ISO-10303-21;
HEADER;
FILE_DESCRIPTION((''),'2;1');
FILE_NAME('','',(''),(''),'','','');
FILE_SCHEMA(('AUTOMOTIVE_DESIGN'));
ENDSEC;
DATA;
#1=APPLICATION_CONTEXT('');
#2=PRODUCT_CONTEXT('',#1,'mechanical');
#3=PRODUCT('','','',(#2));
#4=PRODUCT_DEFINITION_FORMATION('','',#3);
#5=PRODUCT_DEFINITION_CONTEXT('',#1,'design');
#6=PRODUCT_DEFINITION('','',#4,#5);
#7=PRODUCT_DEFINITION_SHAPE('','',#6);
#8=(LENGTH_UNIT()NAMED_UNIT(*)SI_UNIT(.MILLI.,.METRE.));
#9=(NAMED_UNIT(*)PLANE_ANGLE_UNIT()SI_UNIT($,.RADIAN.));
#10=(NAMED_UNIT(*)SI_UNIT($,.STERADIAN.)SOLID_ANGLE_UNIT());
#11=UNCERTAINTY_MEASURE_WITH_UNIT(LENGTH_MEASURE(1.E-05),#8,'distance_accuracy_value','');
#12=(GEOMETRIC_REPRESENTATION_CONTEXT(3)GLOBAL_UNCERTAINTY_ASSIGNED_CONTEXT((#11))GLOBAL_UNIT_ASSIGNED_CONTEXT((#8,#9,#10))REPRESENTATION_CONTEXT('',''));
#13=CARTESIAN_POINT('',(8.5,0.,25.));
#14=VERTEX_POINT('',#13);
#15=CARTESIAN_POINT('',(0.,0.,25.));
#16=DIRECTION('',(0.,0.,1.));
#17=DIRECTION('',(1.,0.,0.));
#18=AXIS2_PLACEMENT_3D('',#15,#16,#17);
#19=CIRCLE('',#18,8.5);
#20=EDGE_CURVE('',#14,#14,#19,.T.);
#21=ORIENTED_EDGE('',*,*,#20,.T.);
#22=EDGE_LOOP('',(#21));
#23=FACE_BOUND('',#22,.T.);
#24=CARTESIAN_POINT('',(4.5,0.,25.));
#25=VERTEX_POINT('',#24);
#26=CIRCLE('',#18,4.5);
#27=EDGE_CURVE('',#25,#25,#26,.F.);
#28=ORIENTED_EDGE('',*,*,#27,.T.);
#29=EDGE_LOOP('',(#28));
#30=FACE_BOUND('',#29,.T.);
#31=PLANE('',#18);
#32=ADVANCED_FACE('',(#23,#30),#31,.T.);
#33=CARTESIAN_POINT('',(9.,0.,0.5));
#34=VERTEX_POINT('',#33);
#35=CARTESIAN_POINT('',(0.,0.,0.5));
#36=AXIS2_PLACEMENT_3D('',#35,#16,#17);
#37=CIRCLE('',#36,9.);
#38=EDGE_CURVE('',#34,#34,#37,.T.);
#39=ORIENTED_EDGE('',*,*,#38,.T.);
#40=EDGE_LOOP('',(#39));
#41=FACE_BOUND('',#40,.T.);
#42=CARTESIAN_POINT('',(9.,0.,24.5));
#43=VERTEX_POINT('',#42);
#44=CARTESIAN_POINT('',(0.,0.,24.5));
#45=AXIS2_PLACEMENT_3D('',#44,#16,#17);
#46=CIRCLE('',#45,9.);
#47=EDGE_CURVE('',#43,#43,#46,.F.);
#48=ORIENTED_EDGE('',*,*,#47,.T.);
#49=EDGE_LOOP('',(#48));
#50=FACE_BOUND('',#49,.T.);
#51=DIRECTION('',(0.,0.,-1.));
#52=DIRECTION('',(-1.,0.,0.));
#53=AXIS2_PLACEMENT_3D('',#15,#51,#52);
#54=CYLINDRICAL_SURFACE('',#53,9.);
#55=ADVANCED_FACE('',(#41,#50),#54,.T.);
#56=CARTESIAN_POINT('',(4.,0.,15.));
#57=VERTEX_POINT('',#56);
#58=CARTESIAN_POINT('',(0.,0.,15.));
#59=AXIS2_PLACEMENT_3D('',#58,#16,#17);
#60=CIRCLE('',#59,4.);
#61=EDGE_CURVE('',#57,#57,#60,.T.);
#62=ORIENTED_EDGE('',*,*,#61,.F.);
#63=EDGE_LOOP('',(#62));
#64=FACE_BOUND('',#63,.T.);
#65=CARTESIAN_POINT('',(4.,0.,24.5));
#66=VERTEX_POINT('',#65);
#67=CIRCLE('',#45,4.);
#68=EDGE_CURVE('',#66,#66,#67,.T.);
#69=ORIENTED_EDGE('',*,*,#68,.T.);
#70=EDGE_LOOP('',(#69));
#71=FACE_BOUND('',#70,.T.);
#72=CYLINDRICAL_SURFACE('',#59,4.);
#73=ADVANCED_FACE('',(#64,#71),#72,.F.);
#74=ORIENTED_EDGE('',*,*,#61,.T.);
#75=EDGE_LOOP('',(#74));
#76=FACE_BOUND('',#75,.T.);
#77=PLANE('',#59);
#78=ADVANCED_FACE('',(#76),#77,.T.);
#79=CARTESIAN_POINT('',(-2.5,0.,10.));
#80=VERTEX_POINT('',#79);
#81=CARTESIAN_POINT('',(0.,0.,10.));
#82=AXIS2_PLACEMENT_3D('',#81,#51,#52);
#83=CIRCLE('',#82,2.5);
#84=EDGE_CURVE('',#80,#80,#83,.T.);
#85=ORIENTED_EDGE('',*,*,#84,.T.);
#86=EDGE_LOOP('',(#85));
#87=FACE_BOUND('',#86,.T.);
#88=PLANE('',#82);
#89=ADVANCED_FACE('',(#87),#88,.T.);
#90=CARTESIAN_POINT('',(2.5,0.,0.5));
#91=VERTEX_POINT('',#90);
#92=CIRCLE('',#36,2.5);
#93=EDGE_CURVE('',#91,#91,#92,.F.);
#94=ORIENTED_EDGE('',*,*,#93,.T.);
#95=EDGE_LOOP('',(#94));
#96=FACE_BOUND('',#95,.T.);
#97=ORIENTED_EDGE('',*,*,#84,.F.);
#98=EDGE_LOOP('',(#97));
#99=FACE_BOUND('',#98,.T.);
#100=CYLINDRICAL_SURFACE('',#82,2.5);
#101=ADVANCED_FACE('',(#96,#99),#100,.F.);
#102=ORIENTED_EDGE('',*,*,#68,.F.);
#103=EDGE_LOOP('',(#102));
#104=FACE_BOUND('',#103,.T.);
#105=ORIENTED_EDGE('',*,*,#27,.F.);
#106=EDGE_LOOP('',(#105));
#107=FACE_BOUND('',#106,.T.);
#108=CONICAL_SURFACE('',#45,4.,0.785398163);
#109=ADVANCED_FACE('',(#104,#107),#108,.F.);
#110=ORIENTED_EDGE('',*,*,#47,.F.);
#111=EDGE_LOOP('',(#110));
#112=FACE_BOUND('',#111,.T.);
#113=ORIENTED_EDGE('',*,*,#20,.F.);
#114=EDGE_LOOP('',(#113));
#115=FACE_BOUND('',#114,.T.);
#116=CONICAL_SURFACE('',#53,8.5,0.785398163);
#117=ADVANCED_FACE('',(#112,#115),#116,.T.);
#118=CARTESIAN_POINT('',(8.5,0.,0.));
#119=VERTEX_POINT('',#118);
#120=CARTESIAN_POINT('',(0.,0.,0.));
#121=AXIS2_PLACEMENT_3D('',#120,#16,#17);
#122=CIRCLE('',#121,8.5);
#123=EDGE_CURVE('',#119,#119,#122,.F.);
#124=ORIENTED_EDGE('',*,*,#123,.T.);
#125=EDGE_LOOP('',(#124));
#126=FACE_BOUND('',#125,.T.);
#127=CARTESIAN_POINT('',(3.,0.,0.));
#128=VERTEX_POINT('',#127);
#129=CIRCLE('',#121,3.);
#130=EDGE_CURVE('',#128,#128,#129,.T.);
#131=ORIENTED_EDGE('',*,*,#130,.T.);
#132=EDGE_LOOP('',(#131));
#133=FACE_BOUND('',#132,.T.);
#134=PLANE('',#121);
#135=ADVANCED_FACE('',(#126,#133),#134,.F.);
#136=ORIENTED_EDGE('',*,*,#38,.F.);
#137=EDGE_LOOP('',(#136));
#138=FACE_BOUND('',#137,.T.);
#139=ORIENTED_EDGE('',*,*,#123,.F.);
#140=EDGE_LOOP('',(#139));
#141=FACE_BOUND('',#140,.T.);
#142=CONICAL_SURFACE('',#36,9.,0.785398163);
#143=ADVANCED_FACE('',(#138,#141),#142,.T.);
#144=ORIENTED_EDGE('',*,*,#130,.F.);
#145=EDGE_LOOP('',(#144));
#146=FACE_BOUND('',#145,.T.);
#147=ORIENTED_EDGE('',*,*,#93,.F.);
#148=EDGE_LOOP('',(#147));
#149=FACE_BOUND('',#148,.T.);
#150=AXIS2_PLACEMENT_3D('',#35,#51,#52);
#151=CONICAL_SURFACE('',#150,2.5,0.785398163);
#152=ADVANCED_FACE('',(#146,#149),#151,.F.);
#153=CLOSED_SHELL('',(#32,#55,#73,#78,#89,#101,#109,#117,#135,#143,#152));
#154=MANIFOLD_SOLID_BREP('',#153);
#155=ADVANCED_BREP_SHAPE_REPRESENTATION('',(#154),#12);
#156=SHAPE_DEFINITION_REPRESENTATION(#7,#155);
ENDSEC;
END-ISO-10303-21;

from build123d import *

# Parameters (mm, degrees)
SZKIC1_R                    = 9
DODANIE_WYCI_GNI_CIE1_DEPTH = 25
SZKIC2_R                    = 4
WYTNIJ_WYCI_GNI_CIE1_DEPTH  = 10
SZKIC3_R                    = 2.5
WYTNIJ_WYCI_GNI_CIE2_DEPTH  = 10
SFAZOWANIE1_SIZE            = 0.5


with BuildPart() as part:
    # Szkic1 → Dodanie-wyciągnięcie1 (new body)
    with BuildSketch(Plane.XY):
        Circle(SZKIC1_R)
    extrude(amount=DODANIE_WYCI_GNI_CIE1_DEPTH)

    # Szkic2 → Wytnij-wyciągnięcie1 (cut)
    with BuildSketch(Plane.XY.offset(25)):
        Circle(SZKIC2_R)
    extrude(amount=-WYTNIJ_WYCI_GNI_CIE1_DEPTH, mode=Mode.SUBTRACT)

    # Szkic3 → Wytnij-wyciągnięcie2 (cut)
    with BuildSketch(Plane(origin=(0, 0, 0), x_dir=(-1, 0, 0), z_dir=(0, 0, -1))):
        Circle(SZKIC3_R)
    extrude(amount=-WYTNIJ_WYCI_GNI_CIE2_DEPTH, mode=Mode.SUBTRACT)

    # Sfazowanie1
    sfazowanie1_edges = [part.edges().sort_by_distance(p)[0] for p in [
        (2.5, 0, 0),
        (-9, 0, 0),
        (-9, 0, 25),
        (-4, 0, 25),
    ]]
    chamfer(sfazowanie1_edges, length=SFAZOWANIE1_SIZE)


solid = part.part
